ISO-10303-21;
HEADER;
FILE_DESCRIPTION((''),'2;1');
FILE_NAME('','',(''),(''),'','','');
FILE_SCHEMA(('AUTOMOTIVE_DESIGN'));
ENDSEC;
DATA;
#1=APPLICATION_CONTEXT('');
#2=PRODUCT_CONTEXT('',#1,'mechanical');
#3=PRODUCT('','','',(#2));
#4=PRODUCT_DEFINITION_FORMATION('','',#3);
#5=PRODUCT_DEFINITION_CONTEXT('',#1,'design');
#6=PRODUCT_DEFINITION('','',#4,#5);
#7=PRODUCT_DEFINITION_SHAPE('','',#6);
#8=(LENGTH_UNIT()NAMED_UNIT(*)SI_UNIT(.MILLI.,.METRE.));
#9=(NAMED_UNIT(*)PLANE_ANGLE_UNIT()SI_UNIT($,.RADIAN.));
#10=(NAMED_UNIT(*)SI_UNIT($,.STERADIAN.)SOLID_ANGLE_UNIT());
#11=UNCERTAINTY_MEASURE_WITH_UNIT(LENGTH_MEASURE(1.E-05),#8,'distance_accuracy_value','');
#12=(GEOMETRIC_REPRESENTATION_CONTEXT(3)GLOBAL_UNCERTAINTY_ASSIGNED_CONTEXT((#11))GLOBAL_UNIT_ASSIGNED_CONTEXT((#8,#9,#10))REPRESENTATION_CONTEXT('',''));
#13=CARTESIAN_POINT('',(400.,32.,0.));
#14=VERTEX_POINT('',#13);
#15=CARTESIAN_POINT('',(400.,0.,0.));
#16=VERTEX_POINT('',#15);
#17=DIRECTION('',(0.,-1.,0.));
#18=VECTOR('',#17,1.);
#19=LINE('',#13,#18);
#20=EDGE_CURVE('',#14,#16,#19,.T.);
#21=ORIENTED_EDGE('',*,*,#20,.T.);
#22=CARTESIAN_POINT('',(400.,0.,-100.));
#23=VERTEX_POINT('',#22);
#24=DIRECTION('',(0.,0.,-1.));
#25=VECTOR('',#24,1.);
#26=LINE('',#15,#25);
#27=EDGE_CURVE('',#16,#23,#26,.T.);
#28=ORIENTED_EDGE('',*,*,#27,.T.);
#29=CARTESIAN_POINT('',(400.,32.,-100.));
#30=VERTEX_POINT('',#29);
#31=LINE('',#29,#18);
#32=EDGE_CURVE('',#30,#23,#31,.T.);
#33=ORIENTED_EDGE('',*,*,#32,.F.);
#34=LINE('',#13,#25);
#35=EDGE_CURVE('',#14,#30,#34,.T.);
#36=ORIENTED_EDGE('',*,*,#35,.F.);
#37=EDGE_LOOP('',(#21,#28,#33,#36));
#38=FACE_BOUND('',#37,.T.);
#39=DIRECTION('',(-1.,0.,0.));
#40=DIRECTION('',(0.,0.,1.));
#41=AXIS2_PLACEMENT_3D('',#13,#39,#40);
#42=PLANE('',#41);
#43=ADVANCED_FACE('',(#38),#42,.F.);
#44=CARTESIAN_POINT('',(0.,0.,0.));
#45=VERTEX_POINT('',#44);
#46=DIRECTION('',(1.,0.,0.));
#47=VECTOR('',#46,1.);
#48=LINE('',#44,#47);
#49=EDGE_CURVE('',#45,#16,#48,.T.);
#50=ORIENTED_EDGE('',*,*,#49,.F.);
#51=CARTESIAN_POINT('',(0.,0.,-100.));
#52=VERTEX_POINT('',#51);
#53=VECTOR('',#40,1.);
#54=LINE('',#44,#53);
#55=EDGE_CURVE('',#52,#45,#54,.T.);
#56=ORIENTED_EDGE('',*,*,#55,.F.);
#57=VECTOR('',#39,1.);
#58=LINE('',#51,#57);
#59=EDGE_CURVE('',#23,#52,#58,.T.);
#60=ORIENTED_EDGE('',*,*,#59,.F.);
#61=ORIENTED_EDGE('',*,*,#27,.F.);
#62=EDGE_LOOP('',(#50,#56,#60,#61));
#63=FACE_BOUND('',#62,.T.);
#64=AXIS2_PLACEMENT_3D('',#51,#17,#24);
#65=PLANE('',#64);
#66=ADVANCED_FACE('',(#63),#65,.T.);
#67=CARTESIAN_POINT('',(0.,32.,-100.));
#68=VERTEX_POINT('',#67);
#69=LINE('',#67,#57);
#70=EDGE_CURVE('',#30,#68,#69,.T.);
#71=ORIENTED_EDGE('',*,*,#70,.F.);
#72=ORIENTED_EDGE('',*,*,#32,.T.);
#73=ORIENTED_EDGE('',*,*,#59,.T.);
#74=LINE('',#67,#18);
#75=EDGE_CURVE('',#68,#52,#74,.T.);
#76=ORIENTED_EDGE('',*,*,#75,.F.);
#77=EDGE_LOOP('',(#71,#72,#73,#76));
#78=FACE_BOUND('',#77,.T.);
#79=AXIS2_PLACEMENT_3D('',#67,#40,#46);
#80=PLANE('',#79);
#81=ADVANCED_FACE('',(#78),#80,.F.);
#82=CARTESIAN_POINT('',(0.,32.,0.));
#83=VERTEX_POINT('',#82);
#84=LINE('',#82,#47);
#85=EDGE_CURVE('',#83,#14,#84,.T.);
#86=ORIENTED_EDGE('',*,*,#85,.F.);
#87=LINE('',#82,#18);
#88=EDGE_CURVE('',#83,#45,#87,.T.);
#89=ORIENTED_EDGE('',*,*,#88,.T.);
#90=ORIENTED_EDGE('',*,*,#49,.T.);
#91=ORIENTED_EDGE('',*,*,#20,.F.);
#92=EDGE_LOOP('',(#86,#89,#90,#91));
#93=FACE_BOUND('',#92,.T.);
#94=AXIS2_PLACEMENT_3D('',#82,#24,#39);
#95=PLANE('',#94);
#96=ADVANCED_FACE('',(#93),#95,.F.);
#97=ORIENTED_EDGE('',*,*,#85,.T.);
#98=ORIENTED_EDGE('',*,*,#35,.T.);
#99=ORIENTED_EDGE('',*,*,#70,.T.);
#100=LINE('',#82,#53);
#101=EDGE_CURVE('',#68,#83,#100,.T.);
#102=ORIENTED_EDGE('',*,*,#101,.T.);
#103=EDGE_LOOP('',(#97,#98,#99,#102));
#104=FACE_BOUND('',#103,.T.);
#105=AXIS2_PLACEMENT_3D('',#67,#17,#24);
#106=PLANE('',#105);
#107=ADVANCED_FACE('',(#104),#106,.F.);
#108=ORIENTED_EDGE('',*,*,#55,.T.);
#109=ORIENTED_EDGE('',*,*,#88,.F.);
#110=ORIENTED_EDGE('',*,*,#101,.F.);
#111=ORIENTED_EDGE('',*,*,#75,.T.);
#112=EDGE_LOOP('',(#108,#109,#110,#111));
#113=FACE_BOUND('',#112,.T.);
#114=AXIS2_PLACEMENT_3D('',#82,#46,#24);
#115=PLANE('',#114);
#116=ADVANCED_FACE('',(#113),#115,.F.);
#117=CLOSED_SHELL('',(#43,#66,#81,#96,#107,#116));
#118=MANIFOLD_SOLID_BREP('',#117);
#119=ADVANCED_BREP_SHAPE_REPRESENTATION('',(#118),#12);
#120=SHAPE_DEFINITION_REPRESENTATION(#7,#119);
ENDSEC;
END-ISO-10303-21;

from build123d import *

# Parameters (mm, degrees)
ESQUISSE1_W      = 400
ESQUISSE1_H      = 100
EXTRUSION1_DEPTH = 32


with BuildPart() as part:
    # Esquisse1 → Extrusion1 (new body)
    with BuildSketch(Plane(origin=(0, 0, 0), x_dir=(1, 0, 0), z_dir=(0, 1, 0))):
        with Locations((200, 50)):
            Rectangle(ESQUISSE1_W, ESQUISSE1_H)
    extrude(amount=EXTRUSION1_DEPTH)


solid = part.part
